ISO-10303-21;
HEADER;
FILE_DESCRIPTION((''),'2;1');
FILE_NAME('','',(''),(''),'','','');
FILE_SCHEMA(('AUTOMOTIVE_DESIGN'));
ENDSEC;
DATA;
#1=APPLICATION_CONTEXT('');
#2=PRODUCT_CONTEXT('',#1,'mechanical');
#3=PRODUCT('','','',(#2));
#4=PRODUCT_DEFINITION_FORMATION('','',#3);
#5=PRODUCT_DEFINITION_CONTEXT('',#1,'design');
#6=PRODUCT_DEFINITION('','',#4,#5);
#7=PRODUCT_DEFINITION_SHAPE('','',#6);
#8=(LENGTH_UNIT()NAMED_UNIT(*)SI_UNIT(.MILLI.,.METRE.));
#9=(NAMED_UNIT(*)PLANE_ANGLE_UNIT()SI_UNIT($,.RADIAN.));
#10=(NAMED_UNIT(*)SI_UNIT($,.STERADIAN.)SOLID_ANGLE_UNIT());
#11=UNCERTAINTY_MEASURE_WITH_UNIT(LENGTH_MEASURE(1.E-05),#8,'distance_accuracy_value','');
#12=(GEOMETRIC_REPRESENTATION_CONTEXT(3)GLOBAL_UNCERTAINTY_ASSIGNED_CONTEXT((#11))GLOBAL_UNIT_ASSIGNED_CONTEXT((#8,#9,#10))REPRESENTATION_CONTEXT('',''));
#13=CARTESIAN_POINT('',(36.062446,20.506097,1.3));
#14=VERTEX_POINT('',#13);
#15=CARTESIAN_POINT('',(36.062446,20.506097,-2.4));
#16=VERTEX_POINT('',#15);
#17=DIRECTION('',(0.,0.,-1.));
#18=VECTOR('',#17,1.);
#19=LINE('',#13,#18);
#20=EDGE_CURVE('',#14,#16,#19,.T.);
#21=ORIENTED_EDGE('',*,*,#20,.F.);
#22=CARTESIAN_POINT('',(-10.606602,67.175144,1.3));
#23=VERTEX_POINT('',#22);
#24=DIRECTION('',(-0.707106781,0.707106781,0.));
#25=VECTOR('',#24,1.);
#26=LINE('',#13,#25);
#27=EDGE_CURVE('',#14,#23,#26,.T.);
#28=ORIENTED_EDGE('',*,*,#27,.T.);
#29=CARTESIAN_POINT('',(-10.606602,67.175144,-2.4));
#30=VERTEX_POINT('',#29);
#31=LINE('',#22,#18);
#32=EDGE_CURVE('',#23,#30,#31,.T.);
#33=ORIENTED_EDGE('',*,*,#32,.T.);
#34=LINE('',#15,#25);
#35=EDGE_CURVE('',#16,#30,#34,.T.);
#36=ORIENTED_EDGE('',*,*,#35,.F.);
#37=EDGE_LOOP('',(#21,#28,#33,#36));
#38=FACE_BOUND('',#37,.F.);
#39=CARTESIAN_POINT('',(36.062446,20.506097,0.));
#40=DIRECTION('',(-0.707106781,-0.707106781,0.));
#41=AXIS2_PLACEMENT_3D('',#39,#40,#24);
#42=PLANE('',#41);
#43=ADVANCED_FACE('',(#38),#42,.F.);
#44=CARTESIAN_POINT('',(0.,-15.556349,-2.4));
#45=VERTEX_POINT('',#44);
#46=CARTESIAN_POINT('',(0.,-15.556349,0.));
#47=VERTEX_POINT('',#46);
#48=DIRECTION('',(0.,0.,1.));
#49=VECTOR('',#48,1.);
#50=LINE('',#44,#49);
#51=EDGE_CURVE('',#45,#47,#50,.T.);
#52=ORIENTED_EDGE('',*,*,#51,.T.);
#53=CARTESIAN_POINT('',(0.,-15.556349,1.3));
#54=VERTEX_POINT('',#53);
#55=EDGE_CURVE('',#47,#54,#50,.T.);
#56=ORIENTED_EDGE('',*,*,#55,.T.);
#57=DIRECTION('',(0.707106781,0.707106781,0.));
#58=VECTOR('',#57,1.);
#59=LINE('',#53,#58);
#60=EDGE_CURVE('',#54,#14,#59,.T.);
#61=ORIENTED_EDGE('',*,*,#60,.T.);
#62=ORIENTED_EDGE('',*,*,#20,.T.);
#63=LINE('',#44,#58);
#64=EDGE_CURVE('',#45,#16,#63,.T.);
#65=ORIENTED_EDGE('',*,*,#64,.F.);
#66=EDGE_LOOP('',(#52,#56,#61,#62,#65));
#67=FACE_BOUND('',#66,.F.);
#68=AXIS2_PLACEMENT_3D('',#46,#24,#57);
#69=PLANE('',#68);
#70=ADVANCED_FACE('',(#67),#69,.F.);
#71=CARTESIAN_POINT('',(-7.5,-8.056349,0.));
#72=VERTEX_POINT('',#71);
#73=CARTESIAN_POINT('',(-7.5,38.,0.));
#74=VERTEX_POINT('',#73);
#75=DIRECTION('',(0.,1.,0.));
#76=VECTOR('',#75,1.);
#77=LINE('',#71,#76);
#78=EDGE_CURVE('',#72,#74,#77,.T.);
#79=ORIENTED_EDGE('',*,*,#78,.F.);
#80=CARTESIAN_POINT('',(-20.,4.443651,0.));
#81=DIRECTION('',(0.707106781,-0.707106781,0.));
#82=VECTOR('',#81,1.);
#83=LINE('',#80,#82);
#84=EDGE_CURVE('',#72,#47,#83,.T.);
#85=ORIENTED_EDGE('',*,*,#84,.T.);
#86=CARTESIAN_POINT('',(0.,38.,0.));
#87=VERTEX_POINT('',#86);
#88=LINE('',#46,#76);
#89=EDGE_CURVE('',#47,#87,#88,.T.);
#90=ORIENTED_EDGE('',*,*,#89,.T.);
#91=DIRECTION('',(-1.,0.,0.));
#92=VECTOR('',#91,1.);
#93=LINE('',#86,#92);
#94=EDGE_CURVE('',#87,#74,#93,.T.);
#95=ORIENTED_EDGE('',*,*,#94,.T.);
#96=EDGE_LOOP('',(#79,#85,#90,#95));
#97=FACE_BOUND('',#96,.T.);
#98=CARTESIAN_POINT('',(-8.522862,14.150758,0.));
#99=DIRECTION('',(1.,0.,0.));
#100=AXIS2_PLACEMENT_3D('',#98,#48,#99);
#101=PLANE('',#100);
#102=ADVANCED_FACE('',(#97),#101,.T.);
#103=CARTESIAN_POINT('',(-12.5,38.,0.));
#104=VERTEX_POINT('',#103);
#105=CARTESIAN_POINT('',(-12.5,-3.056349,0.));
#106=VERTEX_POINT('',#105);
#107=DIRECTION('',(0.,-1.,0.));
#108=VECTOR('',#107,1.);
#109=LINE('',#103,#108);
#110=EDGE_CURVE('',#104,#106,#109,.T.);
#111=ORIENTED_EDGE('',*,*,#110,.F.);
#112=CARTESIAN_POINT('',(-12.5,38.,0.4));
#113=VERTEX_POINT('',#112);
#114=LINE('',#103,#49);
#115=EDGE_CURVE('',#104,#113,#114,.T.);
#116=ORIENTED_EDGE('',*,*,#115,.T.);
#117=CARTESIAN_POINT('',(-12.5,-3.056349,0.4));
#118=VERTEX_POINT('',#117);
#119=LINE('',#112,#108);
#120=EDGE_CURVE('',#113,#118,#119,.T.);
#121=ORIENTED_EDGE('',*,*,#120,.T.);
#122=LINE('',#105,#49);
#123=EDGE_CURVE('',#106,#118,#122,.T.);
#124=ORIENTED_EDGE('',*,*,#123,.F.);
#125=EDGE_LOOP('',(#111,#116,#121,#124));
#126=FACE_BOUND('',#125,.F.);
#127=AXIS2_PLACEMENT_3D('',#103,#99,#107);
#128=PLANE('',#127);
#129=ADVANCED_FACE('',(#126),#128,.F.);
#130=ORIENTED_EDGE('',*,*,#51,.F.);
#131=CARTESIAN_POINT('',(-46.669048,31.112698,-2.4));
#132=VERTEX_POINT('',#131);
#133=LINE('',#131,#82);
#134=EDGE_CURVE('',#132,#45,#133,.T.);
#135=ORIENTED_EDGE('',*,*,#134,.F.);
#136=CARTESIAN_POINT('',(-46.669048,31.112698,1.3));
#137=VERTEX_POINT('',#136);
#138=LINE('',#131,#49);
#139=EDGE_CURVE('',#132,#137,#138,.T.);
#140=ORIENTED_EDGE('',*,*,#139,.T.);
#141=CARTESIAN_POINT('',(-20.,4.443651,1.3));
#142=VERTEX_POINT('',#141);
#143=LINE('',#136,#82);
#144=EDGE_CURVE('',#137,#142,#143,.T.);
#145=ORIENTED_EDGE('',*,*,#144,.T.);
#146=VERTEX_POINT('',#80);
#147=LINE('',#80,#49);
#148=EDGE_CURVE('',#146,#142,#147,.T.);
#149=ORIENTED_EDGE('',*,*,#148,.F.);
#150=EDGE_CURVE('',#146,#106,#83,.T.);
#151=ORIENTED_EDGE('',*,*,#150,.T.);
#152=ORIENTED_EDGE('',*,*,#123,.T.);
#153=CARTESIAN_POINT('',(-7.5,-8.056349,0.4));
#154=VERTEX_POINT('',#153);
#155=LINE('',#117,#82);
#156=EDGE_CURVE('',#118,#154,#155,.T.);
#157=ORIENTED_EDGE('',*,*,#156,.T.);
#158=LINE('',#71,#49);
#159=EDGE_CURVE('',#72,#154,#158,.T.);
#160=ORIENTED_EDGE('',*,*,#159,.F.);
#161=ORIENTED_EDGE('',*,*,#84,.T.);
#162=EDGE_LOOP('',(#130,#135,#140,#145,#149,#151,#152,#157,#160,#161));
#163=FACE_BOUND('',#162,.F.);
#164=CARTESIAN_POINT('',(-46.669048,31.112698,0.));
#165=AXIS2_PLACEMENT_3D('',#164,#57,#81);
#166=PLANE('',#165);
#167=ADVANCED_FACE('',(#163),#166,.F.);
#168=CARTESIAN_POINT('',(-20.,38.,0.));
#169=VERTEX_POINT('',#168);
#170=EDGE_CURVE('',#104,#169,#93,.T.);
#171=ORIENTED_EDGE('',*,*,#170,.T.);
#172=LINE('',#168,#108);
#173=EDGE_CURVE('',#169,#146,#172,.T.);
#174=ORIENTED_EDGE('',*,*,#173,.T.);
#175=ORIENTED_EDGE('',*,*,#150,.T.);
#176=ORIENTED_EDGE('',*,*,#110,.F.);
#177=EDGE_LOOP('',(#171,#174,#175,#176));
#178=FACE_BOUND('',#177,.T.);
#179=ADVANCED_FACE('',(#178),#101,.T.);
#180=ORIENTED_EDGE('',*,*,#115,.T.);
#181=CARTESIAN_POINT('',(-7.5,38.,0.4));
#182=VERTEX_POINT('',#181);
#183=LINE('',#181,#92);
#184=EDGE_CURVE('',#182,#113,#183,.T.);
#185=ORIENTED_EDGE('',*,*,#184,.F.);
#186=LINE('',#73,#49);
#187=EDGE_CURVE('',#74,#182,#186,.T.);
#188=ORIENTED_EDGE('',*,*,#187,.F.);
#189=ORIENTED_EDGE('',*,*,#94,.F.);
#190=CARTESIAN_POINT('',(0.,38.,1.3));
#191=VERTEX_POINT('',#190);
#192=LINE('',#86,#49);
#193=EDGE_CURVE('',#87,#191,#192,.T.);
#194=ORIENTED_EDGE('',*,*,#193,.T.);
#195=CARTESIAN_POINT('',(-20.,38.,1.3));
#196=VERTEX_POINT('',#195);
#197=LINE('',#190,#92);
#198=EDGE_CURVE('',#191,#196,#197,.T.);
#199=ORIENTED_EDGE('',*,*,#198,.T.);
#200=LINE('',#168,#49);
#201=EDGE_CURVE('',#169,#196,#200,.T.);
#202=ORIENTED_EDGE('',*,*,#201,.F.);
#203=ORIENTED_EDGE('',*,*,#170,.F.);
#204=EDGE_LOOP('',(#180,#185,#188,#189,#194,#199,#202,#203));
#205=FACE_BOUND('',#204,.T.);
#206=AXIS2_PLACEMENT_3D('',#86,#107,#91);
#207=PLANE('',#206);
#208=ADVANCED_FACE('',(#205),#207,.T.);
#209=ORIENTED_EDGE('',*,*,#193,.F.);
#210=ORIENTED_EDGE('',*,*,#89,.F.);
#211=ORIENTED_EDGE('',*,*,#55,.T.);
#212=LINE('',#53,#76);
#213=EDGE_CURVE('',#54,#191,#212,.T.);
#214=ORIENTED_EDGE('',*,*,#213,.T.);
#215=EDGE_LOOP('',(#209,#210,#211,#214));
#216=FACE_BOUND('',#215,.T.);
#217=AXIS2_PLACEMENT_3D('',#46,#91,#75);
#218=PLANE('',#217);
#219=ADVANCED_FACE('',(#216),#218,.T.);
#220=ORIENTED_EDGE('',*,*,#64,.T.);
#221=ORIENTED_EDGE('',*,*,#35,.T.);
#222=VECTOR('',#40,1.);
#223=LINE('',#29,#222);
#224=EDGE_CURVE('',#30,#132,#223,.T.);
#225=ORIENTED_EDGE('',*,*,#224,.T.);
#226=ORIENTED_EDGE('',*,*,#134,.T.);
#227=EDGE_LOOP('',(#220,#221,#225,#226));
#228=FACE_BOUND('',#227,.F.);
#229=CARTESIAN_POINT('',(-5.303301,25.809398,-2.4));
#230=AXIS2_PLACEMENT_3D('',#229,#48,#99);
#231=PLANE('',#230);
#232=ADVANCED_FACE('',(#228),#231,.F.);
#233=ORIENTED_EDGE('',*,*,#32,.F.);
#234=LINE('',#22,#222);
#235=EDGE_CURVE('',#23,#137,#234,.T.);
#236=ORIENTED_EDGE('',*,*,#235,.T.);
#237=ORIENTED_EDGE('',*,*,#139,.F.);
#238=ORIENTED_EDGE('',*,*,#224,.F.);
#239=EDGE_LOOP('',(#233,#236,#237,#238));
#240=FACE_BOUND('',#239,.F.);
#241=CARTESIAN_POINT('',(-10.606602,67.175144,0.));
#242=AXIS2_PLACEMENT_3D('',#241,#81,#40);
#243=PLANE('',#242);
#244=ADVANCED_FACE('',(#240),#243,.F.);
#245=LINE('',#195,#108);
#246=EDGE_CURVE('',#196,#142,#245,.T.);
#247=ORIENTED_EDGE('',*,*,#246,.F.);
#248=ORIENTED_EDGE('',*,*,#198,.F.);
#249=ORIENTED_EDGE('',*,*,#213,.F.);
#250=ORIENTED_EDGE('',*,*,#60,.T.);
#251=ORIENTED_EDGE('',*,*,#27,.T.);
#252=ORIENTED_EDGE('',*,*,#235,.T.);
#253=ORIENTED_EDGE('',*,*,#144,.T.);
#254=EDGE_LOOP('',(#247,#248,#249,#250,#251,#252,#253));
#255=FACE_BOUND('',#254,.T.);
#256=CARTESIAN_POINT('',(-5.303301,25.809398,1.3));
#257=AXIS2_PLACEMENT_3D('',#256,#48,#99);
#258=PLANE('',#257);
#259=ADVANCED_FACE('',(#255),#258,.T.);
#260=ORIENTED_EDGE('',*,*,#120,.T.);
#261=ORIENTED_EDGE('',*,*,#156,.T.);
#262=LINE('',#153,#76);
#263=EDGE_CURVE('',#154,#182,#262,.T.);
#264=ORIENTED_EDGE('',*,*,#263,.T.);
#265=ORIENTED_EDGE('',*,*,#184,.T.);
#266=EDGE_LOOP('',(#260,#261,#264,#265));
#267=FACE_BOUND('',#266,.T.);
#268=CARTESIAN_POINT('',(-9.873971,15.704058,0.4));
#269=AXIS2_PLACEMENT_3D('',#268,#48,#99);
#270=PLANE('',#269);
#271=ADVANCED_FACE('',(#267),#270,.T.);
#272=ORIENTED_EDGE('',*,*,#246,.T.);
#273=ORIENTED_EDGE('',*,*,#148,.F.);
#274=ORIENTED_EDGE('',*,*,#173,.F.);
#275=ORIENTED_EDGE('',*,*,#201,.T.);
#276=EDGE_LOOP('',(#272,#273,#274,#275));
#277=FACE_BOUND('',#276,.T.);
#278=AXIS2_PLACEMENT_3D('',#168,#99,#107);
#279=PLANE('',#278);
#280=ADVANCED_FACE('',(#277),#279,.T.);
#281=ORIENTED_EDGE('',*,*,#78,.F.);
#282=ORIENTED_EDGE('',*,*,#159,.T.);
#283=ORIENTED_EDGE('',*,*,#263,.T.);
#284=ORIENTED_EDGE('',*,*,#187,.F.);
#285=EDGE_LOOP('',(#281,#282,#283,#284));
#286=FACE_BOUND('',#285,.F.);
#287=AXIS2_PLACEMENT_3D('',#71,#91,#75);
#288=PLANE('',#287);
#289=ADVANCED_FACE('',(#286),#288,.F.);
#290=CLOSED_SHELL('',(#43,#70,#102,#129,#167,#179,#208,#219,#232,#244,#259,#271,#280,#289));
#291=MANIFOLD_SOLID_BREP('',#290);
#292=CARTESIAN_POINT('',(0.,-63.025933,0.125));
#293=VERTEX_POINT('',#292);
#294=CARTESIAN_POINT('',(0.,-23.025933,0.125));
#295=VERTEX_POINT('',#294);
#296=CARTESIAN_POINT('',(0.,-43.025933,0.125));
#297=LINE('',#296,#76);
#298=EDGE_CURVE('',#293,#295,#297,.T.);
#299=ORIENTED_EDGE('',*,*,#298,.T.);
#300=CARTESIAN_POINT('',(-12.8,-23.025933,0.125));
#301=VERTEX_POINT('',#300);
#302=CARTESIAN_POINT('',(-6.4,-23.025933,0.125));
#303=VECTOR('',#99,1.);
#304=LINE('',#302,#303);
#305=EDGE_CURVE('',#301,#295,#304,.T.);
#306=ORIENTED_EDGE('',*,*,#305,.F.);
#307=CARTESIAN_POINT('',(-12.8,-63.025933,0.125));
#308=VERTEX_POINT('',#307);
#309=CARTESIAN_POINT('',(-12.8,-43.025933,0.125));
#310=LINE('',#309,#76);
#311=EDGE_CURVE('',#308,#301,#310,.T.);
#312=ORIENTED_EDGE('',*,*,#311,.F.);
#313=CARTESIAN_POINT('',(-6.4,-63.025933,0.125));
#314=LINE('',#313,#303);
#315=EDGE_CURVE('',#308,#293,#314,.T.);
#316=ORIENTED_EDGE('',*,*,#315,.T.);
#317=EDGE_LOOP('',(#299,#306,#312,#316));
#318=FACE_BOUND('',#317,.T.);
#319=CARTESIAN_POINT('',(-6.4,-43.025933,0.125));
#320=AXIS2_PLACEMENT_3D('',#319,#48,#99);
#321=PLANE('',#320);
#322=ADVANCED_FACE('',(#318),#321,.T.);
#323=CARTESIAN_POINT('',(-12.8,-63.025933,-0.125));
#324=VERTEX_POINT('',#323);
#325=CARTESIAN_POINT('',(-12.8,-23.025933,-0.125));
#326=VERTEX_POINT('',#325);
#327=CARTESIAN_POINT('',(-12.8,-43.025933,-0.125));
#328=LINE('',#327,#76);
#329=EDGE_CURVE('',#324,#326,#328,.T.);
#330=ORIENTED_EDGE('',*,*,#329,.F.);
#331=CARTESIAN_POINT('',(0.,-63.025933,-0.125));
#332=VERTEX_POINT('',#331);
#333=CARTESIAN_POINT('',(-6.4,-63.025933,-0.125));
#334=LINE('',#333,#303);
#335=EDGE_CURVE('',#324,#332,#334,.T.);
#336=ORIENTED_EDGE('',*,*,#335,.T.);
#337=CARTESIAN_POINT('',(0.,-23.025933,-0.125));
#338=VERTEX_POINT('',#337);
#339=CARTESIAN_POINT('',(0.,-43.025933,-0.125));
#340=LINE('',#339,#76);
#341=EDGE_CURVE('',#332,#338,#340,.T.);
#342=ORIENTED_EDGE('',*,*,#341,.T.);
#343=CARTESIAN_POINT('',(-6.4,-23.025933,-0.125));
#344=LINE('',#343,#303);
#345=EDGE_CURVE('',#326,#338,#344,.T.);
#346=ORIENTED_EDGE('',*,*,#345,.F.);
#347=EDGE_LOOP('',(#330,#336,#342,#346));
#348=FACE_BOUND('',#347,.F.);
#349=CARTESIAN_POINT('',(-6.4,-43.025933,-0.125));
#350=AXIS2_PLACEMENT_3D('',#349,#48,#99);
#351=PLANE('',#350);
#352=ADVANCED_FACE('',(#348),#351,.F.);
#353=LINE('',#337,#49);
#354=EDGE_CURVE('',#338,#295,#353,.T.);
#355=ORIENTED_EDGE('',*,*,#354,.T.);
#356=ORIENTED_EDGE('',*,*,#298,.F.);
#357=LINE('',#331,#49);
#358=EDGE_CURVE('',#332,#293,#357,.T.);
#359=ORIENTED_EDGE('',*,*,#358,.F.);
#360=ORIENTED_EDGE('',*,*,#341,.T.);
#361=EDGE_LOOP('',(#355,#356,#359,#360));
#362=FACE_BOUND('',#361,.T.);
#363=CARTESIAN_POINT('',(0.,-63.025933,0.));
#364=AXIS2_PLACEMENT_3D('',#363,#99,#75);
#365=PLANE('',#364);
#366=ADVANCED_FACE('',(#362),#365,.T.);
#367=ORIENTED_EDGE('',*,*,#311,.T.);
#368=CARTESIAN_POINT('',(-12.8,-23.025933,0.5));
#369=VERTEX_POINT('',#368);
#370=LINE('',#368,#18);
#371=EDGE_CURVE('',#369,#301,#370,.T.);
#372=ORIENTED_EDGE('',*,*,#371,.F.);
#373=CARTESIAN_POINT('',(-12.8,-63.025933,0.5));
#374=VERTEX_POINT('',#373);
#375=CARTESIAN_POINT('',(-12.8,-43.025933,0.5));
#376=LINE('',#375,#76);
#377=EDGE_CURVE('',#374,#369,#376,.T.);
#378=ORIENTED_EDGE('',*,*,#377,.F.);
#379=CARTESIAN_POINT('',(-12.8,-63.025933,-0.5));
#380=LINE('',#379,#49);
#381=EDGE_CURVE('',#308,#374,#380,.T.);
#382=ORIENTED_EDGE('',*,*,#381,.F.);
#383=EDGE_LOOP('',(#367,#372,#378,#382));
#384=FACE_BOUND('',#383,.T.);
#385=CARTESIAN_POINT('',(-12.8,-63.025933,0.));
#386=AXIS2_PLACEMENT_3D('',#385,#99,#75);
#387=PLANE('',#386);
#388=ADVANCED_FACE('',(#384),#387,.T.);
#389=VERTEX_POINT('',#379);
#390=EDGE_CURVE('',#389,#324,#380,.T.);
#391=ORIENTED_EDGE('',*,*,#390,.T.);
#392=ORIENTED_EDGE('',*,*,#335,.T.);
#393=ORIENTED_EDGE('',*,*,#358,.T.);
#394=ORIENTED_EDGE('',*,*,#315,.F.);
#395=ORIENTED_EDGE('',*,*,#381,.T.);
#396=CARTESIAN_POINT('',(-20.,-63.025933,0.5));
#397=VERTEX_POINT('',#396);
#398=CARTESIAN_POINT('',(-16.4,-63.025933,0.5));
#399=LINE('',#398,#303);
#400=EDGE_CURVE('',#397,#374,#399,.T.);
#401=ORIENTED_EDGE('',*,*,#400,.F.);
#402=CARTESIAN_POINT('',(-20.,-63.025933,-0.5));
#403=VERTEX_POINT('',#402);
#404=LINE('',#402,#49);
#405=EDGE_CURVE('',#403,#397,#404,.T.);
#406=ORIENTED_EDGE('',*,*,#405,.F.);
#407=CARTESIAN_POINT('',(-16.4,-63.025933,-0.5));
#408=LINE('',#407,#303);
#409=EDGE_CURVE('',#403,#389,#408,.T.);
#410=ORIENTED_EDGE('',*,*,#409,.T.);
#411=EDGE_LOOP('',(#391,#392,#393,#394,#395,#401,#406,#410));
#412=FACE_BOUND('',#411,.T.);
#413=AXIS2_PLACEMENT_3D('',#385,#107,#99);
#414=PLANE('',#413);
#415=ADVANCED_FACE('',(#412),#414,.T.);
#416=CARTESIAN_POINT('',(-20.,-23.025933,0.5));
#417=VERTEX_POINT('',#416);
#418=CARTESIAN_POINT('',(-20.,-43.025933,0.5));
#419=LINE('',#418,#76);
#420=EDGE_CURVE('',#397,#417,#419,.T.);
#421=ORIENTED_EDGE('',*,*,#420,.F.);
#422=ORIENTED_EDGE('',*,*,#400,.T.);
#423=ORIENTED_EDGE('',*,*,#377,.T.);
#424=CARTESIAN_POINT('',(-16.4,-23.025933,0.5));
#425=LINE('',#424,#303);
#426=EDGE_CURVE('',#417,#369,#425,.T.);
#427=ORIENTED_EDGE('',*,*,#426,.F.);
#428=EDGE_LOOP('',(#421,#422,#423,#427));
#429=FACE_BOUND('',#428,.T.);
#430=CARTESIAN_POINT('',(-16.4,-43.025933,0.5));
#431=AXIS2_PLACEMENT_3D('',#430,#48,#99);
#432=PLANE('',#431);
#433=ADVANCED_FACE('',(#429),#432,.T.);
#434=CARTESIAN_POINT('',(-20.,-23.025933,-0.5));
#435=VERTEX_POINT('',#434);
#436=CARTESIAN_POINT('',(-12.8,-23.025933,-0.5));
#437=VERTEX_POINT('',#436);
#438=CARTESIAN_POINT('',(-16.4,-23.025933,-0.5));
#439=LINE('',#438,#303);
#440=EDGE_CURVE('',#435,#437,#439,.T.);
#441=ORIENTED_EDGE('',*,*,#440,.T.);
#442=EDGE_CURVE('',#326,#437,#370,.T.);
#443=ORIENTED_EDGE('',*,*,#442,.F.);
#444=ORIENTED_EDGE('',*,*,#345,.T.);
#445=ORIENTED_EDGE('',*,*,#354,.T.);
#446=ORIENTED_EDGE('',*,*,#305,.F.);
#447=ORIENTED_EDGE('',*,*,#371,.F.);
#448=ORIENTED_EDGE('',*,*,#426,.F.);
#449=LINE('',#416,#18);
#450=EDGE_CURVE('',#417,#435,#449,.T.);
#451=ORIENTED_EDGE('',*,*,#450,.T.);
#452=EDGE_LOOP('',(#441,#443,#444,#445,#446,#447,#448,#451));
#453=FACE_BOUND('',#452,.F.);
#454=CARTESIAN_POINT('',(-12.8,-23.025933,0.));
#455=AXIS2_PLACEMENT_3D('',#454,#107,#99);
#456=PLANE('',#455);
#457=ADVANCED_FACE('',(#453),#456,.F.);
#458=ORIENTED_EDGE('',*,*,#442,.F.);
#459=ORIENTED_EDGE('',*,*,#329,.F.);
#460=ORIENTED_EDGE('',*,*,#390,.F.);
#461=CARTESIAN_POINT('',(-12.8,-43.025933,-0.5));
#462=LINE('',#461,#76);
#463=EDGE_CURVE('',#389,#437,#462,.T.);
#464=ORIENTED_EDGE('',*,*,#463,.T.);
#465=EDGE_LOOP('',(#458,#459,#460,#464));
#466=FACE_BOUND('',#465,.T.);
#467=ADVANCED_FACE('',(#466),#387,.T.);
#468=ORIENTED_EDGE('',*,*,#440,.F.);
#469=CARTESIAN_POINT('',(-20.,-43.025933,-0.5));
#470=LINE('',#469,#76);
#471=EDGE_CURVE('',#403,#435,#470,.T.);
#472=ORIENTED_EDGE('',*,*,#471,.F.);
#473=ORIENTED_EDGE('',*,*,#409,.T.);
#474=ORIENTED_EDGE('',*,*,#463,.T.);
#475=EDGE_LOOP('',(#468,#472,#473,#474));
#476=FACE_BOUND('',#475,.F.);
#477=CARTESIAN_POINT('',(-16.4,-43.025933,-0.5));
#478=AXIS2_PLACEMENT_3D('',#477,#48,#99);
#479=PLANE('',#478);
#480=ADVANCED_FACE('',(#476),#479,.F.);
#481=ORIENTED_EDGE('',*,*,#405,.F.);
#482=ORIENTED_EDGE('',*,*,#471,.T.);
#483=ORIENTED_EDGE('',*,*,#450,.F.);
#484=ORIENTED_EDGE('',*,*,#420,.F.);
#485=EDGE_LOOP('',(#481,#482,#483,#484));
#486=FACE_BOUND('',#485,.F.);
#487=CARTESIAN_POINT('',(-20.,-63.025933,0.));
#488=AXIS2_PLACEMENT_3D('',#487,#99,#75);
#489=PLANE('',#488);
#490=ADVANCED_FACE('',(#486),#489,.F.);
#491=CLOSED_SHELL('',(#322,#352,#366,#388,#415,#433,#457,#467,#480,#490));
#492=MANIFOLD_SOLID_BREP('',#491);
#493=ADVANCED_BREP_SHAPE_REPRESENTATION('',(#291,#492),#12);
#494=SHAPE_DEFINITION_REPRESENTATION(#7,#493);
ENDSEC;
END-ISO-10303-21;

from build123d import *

# Parameters (mm, degrees)
F1_W          = 7.2
F1_H          = 40
F3_DEPTH      = 0.5
F3_DEPTH_BACK = 0.5
F2_W          = 12.8
F2_H          = 40
F4_DEPTH      = 0.125
F4_DEPTH_BACK = 0.125
F6_DEPTH      = 2.4
F6_DEPTH_BACK = 1.3
F8_DEPTH      = 1.3
F10_DEPTH     = 0.4


with BuildPart() as f3:
    # F1 (on Top) → F3 (new body, two sides)
    with BuildSketch(Plane.XY) as f3_sk:
        with Locations((-16.4, -43.0259331628)):
            Rectangle(F1_W, F1_H)
    extrude(amount=F3_DEPTH)
    extrude(f3_sk.sketch, amount=-F3_DEPTH_BACK)

    # F2 (on Top) → F4 (join, two sides)
    with BuildSketch(Plane.XY) as f4_sk:
        with Locations((-6.4, -43.0259331628)):
            Rectangle(F2_W, F2_H)
    extrude(amount=F4_DEPTH)
    extrude(f4_sk.sketch, amount=-F4_DEPTH_BACK)


with BuildPart() as f6:
    # F5 (on Top) → F6 (new body, two sides)
    with BuildSketch(Plane.XY) as f6_sk:
        Polygon((-10.6066017178, 67.1751442127), (-46.6690475583, 31.1126983722), (0, -15.5563491861), (36.0624458405, 20.5060966544), align=None)
    extrude(amount=-F6_DEPTH)
    extrude(f6_sk.sketch, amount=F6_DEPTH_BACK)

    # F7 (on Top) → F8 (cut)
    with BuildSketch(Plane.XY):
        Polygon((0, -15.5563491861), (0, 38), (-20, 38), (-20, 4.4436508139), align=None)
    extrude(amount=F8_DEPTH, mode=Mode.SUBTRACT)

    # F9 (on Top) → F10 (join)
    with BuildSketch(Plane.XY):
        Polygon((-7.5, 38), (-12.5, 38), (-12.5, -3.0563491861), (-7.5, -8.0563491861), align=None)
    extrude(amount=F10_DEPTH)


solid = Compound([f3.part, f6.part])
